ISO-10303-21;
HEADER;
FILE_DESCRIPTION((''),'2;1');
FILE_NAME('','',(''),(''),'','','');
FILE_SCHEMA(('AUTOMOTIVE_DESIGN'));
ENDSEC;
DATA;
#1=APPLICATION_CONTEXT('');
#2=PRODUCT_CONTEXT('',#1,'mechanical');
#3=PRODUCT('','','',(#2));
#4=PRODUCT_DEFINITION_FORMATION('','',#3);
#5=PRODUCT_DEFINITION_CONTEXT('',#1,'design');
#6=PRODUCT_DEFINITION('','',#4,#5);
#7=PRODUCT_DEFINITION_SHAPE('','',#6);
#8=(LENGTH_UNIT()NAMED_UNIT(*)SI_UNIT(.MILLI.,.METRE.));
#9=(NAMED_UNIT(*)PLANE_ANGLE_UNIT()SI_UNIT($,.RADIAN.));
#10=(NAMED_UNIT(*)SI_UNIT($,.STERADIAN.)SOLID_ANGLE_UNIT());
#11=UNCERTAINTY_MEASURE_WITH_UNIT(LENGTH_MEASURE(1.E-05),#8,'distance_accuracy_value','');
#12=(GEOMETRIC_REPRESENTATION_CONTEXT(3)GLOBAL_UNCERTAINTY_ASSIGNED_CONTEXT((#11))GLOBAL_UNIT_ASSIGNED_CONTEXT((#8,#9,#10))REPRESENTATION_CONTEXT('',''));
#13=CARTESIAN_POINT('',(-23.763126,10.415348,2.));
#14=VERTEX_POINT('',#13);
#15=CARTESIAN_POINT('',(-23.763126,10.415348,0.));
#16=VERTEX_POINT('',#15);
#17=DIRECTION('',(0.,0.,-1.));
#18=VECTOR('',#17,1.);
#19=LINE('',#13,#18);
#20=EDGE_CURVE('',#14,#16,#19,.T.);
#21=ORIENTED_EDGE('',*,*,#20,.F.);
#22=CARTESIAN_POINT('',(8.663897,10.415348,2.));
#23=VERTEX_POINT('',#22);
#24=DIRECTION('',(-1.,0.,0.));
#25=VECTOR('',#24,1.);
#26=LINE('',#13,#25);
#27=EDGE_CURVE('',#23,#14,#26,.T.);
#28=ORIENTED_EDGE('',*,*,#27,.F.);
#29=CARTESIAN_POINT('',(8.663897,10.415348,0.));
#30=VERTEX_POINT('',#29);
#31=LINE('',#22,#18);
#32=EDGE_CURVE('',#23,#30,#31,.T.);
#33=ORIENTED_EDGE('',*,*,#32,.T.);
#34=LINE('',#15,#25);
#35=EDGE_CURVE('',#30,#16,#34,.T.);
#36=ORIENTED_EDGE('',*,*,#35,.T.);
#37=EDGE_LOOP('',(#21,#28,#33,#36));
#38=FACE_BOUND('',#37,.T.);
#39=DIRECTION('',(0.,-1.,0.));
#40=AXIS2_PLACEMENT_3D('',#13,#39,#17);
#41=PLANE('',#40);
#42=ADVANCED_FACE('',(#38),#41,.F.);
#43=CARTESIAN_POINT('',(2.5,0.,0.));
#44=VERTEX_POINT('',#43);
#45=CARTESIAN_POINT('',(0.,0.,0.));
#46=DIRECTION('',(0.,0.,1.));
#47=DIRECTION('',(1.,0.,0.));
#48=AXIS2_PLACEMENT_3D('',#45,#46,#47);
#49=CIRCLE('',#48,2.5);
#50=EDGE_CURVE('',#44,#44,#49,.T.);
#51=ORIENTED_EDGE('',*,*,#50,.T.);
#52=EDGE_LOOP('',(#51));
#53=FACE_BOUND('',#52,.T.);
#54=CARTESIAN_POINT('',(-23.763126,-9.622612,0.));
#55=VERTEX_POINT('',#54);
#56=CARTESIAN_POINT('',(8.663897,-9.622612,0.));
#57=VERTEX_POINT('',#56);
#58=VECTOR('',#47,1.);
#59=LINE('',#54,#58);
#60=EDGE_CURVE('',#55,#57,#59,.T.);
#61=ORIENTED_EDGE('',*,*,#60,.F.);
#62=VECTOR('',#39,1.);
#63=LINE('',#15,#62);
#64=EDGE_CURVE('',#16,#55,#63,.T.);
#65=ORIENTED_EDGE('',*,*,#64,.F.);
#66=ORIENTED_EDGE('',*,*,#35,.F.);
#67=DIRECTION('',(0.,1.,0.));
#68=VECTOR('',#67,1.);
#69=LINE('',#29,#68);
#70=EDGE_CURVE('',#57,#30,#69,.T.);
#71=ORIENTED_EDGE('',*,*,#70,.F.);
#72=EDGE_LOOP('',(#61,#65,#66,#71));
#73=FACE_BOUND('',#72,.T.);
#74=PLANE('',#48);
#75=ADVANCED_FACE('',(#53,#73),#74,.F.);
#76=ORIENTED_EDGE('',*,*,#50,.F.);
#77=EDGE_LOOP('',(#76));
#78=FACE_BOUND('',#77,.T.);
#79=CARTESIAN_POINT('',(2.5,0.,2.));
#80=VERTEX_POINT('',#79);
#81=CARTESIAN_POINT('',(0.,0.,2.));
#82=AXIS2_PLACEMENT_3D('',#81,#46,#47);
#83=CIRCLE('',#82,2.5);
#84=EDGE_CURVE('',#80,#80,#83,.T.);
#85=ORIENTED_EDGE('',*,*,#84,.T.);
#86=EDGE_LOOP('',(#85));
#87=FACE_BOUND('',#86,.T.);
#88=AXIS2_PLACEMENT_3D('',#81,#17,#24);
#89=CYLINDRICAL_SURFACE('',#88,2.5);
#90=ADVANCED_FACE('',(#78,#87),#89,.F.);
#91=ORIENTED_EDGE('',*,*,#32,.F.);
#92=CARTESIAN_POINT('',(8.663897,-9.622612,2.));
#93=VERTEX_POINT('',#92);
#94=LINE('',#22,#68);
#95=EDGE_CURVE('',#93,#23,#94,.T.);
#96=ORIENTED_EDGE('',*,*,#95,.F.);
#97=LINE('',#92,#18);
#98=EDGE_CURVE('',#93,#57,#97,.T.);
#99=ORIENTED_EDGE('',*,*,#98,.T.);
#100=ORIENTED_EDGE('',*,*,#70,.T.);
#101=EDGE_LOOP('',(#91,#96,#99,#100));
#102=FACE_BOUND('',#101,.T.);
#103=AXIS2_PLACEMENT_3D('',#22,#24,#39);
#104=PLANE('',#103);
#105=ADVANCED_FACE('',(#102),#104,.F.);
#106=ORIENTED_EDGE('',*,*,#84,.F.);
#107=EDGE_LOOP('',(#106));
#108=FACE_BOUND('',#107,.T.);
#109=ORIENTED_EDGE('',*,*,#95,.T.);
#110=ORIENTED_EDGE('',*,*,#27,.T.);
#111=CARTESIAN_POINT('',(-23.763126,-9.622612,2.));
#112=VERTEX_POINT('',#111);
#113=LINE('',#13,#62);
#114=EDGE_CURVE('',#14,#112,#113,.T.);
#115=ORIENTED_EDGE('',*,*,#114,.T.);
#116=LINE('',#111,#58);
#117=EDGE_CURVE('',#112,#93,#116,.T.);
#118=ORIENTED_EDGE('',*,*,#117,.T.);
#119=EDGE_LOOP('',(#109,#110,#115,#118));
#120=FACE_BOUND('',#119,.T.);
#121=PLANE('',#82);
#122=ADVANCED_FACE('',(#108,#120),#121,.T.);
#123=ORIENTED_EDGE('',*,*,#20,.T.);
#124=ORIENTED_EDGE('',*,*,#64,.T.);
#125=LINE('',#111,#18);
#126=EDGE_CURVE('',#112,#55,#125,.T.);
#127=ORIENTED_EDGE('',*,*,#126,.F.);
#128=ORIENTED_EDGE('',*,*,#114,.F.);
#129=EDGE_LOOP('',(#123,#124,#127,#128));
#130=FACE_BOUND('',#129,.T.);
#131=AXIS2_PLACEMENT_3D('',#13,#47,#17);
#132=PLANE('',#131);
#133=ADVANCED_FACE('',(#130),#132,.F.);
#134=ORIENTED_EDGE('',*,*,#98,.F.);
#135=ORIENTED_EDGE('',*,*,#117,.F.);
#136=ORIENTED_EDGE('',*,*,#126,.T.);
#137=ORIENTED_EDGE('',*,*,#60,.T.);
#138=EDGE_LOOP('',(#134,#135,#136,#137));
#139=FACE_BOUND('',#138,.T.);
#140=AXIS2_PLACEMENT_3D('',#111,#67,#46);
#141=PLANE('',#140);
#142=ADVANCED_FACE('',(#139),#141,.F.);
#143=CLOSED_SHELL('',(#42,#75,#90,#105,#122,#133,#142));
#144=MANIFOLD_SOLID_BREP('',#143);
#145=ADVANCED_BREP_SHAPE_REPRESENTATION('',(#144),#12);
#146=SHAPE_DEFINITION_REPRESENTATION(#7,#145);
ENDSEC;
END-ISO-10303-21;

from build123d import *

# Parameters (mm, degrees)
SKETCH_1_W      = 32.427022289
SKETCH_1_H      = 20.037960617
SKETCH_1_R      = 2.5
EXTRUDE_1_DEPTH = 2


with BuildPart() as part:
    # 스케치1 → 보스-돌출1 (new body)
    with BuildSketch(Plane.XY):
        with Locations((-7.549614433, 0.396367893)):
            Rectangle(SKETCH_1_W, SKETCH_1_H)
        Circle(SKETCH_1_R, mode=Mode.SUBTRACT)
    extrude(amount=EXTRUDE_1_DEPTH)


solid = part.part
